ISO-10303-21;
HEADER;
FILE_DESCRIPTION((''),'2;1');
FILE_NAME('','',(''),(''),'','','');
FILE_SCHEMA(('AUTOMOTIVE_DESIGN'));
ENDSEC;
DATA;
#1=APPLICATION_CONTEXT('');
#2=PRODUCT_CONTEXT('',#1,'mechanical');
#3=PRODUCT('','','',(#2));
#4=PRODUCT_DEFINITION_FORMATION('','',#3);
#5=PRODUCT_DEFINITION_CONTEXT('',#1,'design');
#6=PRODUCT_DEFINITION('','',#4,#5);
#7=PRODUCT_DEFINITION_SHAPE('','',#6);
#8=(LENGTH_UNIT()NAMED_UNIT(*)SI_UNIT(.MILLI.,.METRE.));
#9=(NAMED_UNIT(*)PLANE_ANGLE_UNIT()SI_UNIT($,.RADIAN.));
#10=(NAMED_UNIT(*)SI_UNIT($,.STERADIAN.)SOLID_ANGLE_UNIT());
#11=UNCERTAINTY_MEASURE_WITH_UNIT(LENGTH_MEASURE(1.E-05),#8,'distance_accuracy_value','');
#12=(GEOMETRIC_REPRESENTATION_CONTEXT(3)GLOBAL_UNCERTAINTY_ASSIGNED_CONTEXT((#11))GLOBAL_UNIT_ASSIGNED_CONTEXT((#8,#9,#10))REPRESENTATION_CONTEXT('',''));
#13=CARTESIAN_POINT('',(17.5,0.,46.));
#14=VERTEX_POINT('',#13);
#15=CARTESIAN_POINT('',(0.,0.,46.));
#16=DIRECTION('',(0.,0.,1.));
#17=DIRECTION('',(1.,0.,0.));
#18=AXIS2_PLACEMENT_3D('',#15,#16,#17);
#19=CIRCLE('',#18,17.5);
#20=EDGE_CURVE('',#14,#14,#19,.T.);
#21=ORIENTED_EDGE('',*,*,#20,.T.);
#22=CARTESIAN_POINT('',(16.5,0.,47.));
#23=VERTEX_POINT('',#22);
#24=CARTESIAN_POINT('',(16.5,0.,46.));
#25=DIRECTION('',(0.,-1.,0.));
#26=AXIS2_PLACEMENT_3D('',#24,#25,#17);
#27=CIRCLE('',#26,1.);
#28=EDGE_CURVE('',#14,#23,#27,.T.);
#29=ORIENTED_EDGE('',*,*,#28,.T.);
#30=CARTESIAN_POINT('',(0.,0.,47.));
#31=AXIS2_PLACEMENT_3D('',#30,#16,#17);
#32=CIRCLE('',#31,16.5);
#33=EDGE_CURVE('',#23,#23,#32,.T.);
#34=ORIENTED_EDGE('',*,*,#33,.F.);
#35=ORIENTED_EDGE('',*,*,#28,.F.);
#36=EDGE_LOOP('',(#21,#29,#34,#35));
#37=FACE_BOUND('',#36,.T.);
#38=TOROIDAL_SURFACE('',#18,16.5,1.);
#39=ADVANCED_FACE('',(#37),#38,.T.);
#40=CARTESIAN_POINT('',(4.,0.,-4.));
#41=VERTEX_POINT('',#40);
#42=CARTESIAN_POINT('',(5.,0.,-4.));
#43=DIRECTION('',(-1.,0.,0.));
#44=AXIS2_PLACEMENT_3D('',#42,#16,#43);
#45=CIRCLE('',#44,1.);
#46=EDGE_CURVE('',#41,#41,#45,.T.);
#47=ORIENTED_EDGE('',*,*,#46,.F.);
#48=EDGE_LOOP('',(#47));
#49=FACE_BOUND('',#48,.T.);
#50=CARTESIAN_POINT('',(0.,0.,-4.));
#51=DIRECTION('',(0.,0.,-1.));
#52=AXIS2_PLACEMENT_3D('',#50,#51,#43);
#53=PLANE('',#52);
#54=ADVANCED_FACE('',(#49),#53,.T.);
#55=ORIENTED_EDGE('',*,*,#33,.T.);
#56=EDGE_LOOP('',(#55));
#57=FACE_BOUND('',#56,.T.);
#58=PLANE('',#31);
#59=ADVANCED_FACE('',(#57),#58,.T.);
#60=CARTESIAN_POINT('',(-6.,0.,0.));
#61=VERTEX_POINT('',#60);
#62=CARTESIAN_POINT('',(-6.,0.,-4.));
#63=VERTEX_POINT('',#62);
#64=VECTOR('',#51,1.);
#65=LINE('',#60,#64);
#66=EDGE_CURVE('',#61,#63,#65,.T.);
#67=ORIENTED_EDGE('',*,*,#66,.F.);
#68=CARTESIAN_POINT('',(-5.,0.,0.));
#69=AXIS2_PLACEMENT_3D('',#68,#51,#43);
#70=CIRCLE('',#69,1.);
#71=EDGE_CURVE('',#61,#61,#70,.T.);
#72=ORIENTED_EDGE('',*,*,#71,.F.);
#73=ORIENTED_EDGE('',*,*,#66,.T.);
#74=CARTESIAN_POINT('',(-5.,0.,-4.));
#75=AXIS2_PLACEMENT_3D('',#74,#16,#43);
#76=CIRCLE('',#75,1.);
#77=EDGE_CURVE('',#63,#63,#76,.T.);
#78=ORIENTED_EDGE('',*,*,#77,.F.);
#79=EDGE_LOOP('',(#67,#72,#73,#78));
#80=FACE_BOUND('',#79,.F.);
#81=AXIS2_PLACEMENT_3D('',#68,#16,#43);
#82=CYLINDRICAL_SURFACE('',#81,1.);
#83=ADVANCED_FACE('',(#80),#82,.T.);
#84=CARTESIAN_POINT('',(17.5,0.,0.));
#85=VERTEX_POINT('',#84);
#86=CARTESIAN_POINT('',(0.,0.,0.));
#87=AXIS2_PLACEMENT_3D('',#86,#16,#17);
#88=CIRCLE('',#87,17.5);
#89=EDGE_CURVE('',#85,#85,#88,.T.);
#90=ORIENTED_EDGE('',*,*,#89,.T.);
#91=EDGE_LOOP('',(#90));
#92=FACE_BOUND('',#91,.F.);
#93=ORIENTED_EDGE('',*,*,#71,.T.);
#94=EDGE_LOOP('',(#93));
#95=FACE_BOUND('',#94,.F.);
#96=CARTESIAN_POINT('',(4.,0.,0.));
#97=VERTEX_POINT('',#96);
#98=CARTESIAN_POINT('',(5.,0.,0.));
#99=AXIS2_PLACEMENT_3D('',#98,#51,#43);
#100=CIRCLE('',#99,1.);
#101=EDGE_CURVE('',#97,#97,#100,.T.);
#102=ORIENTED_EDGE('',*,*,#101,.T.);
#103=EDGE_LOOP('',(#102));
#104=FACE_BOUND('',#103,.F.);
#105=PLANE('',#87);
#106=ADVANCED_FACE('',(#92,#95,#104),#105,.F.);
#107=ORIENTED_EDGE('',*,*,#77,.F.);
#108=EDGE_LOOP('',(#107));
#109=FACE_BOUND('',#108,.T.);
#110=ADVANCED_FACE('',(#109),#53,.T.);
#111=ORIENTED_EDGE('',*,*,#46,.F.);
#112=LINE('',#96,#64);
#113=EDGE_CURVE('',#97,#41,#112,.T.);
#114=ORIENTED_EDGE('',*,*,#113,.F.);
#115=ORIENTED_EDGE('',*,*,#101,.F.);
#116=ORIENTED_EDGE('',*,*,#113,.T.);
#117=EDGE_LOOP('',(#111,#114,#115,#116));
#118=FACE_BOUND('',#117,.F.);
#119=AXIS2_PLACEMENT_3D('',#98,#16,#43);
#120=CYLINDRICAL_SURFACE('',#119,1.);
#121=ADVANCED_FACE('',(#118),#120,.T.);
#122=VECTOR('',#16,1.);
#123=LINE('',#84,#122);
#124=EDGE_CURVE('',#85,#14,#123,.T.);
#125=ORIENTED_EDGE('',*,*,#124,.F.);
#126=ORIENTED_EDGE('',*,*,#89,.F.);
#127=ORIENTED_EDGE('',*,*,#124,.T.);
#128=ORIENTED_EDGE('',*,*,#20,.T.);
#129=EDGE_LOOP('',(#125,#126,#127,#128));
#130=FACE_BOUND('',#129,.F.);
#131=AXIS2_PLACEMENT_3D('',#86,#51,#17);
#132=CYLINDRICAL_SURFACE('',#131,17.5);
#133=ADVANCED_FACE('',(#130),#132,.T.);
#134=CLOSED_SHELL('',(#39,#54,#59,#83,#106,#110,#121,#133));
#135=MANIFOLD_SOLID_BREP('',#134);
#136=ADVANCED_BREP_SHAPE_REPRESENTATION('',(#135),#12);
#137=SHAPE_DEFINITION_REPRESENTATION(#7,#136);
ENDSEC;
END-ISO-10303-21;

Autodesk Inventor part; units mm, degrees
ref_plane "YZ Plane" through (0, 0, 0) normal (1, 0, 0) x (0, 1, 0)
ref_plane "XY Plane" through (0, 0, 0) normal (0, 0, 1) x (1, 0, 0)
sketch "Skizze1" plane through (0, 0, 0) normal (0, 0, 1) x (1, 0, 0)
  circle A0 centre (0, 0) radius 17.5
  dimension "d0" = 35
extrude "Extrusion1" add sketch "Skizze1" along normal blind 47
fillet "Rundung1" radius 1 1 edges at (-17.5, 0, 47)
sketch "Skizze2" plane through (0, 0, 0) normal (0, 0, -1) x (-1, 0, 0)
  line L0 (-24.5, 0) -> (24.5, 0) projected
  line L1 (0, -24.5) -> (0, 24.5) projected
  circle A0 centre (-5, 0) radius 1
  circle A1 centre (5, 0) radius 1
  dimension "d4" = 10
  dimension "d5" = 2
extrude "Extrusion2" add sketch "Skizze2" along normal blind 4
ref_plane "Arbeitsebene1" through (0, 0, 0) normal (0, 1, 0) x (-1, 0, 0)
properties part number "Kondensator 30x50" material "PC/ABS-Kunststoff"
